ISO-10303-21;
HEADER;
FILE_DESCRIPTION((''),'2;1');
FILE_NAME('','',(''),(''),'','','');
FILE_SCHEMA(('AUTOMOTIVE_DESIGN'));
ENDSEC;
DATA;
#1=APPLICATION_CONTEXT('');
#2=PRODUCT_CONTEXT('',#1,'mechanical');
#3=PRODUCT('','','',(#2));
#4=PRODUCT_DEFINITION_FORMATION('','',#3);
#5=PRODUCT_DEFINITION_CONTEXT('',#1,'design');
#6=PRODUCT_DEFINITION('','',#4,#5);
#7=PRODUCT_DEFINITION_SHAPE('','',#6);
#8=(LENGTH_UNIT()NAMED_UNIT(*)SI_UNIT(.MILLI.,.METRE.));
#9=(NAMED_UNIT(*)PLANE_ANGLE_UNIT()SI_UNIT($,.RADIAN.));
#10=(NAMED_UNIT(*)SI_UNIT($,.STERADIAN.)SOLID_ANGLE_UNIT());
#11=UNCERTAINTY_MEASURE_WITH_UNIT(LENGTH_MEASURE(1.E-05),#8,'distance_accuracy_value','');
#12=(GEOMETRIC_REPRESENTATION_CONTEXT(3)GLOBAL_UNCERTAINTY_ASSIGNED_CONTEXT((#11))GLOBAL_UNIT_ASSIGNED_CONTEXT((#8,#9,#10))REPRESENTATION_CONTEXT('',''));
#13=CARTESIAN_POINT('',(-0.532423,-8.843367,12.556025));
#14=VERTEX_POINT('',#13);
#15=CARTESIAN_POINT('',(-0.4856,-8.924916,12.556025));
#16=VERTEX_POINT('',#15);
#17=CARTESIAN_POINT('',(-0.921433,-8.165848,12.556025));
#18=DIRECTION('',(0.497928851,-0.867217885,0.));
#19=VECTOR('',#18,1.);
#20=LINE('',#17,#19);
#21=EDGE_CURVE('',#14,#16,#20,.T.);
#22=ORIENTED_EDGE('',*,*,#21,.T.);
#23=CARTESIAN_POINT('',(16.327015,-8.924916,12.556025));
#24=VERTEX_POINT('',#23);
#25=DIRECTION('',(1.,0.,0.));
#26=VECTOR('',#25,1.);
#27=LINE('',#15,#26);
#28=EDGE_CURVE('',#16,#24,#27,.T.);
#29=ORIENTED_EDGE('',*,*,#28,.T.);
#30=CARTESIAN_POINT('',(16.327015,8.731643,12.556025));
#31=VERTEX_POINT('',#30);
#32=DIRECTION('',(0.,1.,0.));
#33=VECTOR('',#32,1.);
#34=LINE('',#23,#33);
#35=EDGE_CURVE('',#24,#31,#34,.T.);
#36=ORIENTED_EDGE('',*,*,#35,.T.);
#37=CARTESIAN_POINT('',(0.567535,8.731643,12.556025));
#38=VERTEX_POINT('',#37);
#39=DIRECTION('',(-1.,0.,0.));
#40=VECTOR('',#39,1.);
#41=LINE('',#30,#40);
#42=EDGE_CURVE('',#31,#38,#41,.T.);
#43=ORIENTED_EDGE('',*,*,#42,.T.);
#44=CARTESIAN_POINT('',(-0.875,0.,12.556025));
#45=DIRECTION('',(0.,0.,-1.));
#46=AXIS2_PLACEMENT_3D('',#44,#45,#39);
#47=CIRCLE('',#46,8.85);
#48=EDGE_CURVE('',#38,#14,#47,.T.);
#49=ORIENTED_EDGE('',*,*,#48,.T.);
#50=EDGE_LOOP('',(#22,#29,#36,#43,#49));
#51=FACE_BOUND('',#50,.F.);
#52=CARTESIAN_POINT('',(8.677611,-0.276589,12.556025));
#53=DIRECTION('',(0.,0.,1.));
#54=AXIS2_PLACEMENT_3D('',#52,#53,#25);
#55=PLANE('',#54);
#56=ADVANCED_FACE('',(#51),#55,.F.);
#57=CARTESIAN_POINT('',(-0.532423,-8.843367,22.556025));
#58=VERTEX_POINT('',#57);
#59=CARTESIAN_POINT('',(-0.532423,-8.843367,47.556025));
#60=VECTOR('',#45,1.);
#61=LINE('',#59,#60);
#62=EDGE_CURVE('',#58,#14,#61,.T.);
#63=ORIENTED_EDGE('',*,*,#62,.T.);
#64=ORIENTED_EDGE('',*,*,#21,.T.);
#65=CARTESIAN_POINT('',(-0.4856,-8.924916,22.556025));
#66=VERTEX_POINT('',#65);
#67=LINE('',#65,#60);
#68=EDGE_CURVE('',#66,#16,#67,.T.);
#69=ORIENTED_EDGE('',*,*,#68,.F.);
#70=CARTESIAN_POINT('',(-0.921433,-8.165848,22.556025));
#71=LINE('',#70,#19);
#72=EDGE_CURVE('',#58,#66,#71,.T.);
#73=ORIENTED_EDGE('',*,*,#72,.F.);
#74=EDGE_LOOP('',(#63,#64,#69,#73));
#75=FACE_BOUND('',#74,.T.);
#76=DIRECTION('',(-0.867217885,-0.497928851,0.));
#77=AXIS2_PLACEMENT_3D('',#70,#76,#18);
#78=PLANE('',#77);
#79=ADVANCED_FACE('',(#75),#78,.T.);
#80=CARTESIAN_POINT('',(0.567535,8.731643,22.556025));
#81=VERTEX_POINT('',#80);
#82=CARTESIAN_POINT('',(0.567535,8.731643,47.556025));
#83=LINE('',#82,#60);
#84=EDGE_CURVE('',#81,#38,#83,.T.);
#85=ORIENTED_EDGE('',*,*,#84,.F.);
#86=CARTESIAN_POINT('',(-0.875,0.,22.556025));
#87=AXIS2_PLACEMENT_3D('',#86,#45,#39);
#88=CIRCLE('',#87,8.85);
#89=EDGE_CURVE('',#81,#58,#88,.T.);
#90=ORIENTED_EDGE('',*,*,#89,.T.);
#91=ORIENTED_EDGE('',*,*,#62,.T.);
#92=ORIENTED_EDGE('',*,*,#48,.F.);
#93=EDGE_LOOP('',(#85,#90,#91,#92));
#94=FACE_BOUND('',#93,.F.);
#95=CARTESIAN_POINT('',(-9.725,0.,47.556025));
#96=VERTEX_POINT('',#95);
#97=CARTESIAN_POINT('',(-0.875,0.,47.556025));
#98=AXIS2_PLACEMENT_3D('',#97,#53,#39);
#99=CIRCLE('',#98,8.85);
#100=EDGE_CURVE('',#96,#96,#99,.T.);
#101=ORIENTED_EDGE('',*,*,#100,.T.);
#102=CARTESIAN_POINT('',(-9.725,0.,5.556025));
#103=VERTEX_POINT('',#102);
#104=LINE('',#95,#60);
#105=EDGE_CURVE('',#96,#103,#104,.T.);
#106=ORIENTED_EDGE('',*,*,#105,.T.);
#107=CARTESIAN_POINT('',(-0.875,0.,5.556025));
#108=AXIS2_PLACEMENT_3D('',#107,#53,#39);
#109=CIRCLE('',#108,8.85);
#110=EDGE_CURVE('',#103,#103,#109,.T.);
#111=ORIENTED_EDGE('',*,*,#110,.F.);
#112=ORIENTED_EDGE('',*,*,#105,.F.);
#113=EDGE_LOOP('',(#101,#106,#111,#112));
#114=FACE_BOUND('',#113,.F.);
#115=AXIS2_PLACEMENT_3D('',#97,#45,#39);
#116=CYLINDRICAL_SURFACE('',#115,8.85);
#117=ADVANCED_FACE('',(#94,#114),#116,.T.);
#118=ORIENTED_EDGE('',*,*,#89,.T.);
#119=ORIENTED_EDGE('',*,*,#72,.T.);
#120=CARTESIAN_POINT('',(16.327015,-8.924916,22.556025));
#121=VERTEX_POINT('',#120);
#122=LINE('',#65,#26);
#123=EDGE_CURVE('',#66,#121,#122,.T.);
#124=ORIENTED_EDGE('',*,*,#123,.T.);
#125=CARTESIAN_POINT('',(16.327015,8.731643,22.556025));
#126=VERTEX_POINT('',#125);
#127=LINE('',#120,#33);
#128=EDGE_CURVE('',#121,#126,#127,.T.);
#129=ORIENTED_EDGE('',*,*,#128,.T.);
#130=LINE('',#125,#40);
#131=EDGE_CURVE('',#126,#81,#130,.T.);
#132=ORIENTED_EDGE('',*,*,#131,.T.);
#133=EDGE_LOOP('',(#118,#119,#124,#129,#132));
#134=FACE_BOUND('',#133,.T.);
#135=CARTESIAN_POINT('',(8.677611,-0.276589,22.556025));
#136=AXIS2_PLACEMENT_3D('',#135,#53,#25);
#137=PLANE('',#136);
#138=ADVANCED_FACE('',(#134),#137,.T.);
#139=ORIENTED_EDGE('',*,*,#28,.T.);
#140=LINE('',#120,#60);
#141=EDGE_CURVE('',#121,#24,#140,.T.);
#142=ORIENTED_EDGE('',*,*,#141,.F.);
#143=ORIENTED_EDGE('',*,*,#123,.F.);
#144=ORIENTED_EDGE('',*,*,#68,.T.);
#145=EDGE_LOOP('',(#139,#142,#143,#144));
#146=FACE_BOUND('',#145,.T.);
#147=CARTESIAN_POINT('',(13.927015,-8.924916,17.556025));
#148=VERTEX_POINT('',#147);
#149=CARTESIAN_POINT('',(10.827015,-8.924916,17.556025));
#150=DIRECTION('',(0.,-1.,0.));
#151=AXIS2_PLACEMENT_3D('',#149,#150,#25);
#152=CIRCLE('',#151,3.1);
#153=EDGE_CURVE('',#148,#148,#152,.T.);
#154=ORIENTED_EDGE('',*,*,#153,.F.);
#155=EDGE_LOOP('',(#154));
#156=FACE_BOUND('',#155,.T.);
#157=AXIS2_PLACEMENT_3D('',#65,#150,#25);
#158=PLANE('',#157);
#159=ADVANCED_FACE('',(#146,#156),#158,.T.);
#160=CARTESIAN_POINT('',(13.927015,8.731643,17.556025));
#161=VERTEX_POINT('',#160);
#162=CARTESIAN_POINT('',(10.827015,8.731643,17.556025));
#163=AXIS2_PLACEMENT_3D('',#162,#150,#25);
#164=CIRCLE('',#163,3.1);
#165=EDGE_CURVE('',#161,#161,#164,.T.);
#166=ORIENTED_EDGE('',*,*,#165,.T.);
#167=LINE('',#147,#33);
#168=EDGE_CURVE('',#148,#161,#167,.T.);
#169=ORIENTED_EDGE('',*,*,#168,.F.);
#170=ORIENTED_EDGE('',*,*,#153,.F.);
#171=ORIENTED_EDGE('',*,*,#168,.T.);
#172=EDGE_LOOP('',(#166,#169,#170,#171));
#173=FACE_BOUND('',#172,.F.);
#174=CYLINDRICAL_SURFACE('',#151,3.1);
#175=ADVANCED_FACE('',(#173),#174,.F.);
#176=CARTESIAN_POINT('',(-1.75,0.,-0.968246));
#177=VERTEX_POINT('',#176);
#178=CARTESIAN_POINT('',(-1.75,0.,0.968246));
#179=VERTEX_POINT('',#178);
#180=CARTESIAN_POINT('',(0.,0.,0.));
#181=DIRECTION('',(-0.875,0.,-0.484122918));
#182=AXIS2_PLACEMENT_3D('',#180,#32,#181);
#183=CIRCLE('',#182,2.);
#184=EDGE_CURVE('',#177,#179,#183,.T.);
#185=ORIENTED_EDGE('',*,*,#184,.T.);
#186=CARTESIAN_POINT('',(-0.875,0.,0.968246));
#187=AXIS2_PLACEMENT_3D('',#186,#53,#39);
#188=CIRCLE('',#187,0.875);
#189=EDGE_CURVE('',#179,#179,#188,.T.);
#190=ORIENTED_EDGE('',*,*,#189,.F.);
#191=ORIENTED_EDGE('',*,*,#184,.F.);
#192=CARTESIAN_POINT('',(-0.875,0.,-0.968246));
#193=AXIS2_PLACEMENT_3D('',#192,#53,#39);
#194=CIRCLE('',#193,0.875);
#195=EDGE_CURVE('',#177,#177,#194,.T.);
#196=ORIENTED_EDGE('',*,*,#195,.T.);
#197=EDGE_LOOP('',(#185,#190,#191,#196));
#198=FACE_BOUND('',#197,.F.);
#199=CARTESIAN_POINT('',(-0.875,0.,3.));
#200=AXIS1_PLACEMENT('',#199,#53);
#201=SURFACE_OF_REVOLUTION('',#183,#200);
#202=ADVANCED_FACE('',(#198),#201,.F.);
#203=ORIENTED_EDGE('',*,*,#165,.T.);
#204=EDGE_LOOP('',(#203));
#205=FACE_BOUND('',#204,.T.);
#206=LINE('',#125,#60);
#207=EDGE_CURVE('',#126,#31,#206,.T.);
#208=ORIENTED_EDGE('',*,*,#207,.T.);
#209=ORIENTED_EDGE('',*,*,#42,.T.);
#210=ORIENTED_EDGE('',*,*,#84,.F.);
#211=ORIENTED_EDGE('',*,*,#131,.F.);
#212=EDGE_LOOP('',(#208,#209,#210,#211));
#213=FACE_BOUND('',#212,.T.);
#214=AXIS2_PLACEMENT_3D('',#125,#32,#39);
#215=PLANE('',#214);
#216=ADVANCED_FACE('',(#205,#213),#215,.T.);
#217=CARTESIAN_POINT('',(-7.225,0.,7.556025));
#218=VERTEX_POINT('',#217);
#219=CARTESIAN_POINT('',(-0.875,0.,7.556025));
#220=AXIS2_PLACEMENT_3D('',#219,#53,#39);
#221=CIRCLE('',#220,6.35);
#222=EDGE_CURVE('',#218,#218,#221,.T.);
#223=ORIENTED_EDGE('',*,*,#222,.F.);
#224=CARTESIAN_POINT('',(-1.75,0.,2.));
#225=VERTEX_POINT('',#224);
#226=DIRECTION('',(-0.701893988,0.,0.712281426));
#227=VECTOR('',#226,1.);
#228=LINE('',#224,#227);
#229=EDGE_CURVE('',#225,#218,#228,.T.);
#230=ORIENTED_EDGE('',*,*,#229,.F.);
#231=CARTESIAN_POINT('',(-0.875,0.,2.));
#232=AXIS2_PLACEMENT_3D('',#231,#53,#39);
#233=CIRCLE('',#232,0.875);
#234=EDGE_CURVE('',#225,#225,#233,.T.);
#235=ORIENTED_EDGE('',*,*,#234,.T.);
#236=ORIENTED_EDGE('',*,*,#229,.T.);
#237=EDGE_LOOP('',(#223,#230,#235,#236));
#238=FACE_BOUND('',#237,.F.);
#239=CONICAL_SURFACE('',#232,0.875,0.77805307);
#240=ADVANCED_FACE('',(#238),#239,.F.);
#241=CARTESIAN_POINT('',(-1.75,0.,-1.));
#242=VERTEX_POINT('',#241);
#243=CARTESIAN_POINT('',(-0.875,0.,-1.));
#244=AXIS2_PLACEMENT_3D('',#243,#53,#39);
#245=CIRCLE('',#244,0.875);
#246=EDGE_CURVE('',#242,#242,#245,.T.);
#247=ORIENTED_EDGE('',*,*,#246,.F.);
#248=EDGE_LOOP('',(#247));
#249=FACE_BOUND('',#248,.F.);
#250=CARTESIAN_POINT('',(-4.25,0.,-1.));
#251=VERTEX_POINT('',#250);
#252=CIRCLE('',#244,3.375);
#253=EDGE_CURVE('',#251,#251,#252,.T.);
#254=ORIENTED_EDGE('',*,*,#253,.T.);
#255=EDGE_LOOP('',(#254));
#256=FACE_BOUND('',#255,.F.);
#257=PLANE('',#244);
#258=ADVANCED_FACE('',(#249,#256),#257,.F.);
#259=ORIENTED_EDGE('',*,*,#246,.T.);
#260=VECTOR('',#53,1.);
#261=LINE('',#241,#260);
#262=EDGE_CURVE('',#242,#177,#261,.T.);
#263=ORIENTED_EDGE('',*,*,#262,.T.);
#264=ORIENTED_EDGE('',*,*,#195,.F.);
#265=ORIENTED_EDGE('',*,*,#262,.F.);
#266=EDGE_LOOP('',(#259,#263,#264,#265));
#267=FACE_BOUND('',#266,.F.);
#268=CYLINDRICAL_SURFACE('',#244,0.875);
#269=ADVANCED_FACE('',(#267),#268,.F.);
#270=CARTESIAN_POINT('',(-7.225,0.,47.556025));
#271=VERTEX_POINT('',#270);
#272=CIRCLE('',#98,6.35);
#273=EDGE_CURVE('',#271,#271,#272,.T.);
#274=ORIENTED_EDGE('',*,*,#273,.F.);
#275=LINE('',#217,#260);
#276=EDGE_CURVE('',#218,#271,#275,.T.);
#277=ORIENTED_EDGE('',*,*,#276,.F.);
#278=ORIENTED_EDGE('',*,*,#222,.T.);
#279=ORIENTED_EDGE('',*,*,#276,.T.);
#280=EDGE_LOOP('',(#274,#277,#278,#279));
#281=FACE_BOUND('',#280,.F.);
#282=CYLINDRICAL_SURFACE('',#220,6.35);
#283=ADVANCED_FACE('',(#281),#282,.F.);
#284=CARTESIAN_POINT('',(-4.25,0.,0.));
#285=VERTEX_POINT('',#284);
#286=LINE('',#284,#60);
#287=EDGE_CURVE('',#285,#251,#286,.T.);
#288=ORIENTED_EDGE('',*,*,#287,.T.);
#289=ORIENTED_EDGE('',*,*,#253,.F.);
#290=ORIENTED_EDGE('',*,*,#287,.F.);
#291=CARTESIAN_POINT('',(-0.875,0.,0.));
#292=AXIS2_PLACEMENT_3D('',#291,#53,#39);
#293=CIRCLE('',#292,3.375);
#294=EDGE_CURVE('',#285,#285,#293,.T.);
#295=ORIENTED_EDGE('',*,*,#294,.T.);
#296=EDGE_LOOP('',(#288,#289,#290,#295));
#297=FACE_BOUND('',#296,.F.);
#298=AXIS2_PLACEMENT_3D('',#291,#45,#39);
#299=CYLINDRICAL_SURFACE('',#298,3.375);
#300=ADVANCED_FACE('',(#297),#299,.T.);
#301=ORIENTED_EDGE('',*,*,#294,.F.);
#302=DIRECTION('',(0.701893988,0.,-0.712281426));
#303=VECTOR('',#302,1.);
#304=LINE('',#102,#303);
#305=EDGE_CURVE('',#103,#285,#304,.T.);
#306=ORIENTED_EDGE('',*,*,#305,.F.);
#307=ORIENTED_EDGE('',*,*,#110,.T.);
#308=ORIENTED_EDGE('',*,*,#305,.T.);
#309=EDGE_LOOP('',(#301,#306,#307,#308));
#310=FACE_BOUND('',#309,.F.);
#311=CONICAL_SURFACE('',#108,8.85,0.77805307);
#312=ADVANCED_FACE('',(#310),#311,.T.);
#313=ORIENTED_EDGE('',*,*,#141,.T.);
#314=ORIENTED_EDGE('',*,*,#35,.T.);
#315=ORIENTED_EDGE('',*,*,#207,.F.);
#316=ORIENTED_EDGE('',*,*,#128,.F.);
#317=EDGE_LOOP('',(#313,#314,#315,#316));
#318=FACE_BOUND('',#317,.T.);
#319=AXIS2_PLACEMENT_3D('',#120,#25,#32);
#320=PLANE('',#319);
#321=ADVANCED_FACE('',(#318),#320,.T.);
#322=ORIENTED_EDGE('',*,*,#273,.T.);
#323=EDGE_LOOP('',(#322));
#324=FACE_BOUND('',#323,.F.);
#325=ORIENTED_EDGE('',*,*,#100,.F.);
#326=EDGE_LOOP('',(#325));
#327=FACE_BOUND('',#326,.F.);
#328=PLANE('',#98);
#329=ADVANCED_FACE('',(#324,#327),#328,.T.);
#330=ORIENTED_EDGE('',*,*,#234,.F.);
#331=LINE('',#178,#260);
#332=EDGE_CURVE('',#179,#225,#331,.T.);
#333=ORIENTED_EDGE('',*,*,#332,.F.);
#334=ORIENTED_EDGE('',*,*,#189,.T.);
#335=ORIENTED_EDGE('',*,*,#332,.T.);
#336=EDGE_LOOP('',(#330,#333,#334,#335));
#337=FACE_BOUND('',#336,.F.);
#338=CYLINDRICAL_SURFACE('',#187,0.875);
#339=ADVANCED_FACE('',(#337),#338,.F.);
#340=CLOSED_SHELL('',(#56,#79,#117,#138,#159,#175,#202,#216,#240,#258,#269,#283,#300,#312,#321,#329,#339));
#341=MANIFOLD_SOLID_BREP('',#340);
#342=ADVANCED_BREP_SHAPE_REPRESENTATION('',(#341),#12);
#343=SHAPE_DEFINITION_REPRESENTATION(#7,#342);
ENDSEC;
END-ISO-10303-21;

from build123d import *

# Parameters (mm, degrees)
F6_DEPTH = 10
F7_R     = 3.1
F8_DEPTH = 25


with BuildPart() as f2:
    # F1 (on face) → F2 (revolve)
    with BuildSketch(Plane.XZ):
        Polygon((-9.725, 7.55602537), (-7.225, 7.55602537), (-7.225, 23.8076150417), (-7.225, 47.55602537), (-9.725, 47.55602537), align=None)
        with BuildLine():
            ThreePointArc((-1.75, -0.9682458366), (-2, 0), (-1.75, 0.9682458366))
            Line((-1.75, 0.9682458366), (-1.75, 2))
            Line((-1.75, 2), (-7.225, 7.55602537))
            Line((-7.225, 7.55602537), (-9.725, 7.55602537))
            Line((-9.725, 7.55602537), (-9.725, 5.55602537))
            Line((-9.725, 5.55602537), (-4.25, 0))
            Line((-4.25, 0), (-4.25, -1))
            Line((-4.25, -1), (-1.75, -1))
            Line((-1.75, -1), (-1.75, -0.9682458366))
        make_face()
    revolve(axis=Axis((-0.875, 0, 3), (0, 0, 1)))

    # F5 (on offset) → F6 (join)
    with BuildSketch(Plane.XY.offset(22.55602537)):
        Polygon((16.3270153056, 8.7316431165), (0.3520153056, 8.7316431165), (5.1758266054, 5.5884346366), (6.8773869425, -0.8869493031), (5.2230921574, -4.3846019544), (1.3945804676, -7.4095986784), (-0.9214326274, -8.1658484414), (-0.4856002192, -8.9249160441), (8.3270153056, -8.9249160441), (12.3188967407, -8.9249160441), (16.3270153056, -8.9249160441), (16.3270153056, -0.0749950048), align=None)
    extrude(amount=-F6_DEPTH)

    # F7 (on face) → F8 (cut)
    with BuildSketch(Plane.XZ.offset(8.9249160441)):
        with Locations((10.8270153056, 17.55602537)):
            Circle(F7_R)
    extrude(amount=-F8_DEPTH, mode=Mode.SUBTRACT)


solid = f2.part
